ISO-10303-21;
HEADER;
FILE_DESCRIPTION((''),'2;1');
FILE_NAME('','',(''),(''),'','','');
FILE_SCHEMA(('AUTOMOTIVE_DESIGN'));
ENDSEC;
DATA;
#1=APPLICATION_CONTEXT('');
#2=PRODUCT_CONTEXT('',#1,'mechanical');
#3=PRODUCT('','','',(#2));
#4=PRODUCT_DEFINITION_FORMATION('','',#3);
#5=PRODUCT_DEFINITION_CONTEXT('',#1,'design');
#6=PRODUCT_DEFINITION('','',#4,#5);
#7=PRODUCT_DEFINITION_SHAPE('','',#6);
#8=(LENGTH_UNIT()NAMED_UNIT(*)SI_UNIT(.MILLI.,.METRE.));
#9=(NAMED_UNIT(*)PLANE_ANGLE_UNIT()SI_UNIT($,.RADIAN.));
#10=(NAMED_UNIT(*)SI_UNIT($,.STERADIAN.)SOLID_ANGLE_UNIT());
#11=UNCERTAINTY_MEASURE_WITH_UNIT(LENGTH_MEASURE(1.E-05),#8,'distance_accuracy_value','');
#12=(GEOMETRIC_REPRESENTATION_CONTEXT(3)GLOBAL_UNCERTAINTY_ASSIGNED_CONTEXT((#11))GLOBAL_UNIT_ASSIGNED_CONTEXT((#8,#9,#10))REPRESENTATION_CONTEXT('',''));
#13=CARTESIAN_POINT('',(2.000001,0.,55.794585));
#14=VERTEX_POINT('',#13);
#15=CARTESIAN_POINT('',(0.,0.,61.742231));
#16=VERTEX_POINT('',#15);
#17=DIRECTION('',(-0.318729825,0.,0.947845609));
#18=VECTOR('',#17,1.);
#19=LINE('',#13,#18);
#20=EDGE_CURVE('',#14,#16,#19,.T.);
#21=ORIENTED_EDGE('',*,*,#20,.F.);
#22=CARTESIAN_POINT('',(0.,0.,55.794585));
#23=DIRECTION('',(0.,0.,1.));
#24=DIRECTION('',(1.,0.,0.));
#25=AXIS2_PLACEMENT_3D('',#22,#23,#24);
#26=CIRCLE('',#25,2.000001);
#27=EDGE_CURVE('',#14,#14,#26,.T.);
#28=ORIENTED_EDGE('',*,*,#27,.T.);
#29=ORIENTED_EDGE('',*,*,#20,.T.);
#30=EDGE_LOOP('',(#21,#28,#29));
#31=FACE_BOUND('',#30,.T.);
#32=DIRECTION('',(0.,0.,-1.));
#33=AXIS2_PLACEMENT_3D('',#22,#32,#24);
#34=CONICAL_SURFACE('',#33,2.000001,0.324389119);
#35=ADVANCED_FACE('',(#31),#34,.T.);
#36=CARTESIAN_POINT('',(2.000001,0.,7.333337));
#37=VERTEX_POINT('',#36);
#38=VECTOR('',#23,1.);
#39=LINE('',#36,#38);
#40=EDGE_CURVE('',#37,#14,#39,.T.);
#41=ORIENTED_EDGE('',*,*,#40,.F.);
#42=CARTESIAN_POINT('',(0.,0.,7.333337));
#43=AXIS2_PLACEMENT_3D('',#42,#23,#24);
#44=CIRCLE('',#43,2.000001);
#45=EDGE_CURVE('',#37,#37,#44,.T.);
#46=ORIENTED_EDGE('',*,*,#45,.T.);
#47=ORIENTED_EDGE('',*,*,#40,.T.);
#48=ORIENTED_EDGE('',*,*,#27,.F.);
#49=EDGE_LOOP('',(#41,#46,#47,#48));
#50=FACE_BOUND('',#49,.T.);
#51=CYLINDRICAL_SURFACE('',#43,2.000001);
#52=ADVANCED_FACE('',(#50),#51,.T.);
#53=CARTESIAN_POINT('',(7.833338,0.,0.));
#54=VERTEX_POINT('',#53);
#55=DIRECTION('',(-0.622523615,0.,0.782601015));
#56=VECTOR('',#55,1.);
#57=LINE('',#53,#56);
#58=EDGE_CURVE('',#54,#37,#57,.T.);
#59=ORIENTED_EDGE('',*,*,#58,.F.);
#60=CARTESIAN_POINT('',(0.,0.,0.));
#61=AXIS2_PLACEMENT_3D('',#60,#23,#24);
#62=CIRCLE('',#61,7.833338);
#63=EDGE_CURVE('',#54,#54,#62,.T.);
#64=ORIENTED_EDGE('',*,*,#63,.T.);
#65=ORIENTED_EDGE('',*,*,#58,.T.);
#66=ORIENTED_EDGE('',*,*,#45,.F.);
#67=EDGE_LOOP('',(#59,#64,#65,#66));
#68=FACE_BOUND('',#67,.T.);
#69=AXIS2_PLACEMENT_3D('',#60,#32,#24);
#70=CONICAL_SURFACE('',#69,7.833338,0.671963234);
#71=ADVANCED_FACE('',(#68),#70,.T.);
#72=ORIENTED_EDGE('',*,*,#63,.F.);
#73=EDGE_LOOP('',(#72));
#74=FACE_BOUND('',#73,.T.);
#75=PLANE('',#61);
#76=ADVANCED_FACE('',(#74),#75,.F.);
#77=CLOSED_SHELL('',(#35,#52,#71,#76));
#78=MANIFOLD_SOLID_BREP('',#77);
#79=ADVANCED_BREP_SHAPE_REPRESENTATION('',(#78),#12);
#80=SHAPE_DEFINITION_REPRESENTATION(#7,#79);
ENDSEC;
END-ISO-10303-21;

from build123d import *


with BuildPart() as f1:
    # F0 (on Front) → F1 (revolve)
    with BuildSketch(Plane.XZ):
        Polygon((0, 7.333337), (0, 0), (7.833338, 0), (2.000001, 7.333337), align=None)
        Polygon((0, 61.742231), (0, 7.333337), (2.000001, 7.333337), (2.000001, 55.794585), align=None)
    revolve(axis=Axis((0, 0, 34.537784), (0, 0, 1)))


solid = f1.part
